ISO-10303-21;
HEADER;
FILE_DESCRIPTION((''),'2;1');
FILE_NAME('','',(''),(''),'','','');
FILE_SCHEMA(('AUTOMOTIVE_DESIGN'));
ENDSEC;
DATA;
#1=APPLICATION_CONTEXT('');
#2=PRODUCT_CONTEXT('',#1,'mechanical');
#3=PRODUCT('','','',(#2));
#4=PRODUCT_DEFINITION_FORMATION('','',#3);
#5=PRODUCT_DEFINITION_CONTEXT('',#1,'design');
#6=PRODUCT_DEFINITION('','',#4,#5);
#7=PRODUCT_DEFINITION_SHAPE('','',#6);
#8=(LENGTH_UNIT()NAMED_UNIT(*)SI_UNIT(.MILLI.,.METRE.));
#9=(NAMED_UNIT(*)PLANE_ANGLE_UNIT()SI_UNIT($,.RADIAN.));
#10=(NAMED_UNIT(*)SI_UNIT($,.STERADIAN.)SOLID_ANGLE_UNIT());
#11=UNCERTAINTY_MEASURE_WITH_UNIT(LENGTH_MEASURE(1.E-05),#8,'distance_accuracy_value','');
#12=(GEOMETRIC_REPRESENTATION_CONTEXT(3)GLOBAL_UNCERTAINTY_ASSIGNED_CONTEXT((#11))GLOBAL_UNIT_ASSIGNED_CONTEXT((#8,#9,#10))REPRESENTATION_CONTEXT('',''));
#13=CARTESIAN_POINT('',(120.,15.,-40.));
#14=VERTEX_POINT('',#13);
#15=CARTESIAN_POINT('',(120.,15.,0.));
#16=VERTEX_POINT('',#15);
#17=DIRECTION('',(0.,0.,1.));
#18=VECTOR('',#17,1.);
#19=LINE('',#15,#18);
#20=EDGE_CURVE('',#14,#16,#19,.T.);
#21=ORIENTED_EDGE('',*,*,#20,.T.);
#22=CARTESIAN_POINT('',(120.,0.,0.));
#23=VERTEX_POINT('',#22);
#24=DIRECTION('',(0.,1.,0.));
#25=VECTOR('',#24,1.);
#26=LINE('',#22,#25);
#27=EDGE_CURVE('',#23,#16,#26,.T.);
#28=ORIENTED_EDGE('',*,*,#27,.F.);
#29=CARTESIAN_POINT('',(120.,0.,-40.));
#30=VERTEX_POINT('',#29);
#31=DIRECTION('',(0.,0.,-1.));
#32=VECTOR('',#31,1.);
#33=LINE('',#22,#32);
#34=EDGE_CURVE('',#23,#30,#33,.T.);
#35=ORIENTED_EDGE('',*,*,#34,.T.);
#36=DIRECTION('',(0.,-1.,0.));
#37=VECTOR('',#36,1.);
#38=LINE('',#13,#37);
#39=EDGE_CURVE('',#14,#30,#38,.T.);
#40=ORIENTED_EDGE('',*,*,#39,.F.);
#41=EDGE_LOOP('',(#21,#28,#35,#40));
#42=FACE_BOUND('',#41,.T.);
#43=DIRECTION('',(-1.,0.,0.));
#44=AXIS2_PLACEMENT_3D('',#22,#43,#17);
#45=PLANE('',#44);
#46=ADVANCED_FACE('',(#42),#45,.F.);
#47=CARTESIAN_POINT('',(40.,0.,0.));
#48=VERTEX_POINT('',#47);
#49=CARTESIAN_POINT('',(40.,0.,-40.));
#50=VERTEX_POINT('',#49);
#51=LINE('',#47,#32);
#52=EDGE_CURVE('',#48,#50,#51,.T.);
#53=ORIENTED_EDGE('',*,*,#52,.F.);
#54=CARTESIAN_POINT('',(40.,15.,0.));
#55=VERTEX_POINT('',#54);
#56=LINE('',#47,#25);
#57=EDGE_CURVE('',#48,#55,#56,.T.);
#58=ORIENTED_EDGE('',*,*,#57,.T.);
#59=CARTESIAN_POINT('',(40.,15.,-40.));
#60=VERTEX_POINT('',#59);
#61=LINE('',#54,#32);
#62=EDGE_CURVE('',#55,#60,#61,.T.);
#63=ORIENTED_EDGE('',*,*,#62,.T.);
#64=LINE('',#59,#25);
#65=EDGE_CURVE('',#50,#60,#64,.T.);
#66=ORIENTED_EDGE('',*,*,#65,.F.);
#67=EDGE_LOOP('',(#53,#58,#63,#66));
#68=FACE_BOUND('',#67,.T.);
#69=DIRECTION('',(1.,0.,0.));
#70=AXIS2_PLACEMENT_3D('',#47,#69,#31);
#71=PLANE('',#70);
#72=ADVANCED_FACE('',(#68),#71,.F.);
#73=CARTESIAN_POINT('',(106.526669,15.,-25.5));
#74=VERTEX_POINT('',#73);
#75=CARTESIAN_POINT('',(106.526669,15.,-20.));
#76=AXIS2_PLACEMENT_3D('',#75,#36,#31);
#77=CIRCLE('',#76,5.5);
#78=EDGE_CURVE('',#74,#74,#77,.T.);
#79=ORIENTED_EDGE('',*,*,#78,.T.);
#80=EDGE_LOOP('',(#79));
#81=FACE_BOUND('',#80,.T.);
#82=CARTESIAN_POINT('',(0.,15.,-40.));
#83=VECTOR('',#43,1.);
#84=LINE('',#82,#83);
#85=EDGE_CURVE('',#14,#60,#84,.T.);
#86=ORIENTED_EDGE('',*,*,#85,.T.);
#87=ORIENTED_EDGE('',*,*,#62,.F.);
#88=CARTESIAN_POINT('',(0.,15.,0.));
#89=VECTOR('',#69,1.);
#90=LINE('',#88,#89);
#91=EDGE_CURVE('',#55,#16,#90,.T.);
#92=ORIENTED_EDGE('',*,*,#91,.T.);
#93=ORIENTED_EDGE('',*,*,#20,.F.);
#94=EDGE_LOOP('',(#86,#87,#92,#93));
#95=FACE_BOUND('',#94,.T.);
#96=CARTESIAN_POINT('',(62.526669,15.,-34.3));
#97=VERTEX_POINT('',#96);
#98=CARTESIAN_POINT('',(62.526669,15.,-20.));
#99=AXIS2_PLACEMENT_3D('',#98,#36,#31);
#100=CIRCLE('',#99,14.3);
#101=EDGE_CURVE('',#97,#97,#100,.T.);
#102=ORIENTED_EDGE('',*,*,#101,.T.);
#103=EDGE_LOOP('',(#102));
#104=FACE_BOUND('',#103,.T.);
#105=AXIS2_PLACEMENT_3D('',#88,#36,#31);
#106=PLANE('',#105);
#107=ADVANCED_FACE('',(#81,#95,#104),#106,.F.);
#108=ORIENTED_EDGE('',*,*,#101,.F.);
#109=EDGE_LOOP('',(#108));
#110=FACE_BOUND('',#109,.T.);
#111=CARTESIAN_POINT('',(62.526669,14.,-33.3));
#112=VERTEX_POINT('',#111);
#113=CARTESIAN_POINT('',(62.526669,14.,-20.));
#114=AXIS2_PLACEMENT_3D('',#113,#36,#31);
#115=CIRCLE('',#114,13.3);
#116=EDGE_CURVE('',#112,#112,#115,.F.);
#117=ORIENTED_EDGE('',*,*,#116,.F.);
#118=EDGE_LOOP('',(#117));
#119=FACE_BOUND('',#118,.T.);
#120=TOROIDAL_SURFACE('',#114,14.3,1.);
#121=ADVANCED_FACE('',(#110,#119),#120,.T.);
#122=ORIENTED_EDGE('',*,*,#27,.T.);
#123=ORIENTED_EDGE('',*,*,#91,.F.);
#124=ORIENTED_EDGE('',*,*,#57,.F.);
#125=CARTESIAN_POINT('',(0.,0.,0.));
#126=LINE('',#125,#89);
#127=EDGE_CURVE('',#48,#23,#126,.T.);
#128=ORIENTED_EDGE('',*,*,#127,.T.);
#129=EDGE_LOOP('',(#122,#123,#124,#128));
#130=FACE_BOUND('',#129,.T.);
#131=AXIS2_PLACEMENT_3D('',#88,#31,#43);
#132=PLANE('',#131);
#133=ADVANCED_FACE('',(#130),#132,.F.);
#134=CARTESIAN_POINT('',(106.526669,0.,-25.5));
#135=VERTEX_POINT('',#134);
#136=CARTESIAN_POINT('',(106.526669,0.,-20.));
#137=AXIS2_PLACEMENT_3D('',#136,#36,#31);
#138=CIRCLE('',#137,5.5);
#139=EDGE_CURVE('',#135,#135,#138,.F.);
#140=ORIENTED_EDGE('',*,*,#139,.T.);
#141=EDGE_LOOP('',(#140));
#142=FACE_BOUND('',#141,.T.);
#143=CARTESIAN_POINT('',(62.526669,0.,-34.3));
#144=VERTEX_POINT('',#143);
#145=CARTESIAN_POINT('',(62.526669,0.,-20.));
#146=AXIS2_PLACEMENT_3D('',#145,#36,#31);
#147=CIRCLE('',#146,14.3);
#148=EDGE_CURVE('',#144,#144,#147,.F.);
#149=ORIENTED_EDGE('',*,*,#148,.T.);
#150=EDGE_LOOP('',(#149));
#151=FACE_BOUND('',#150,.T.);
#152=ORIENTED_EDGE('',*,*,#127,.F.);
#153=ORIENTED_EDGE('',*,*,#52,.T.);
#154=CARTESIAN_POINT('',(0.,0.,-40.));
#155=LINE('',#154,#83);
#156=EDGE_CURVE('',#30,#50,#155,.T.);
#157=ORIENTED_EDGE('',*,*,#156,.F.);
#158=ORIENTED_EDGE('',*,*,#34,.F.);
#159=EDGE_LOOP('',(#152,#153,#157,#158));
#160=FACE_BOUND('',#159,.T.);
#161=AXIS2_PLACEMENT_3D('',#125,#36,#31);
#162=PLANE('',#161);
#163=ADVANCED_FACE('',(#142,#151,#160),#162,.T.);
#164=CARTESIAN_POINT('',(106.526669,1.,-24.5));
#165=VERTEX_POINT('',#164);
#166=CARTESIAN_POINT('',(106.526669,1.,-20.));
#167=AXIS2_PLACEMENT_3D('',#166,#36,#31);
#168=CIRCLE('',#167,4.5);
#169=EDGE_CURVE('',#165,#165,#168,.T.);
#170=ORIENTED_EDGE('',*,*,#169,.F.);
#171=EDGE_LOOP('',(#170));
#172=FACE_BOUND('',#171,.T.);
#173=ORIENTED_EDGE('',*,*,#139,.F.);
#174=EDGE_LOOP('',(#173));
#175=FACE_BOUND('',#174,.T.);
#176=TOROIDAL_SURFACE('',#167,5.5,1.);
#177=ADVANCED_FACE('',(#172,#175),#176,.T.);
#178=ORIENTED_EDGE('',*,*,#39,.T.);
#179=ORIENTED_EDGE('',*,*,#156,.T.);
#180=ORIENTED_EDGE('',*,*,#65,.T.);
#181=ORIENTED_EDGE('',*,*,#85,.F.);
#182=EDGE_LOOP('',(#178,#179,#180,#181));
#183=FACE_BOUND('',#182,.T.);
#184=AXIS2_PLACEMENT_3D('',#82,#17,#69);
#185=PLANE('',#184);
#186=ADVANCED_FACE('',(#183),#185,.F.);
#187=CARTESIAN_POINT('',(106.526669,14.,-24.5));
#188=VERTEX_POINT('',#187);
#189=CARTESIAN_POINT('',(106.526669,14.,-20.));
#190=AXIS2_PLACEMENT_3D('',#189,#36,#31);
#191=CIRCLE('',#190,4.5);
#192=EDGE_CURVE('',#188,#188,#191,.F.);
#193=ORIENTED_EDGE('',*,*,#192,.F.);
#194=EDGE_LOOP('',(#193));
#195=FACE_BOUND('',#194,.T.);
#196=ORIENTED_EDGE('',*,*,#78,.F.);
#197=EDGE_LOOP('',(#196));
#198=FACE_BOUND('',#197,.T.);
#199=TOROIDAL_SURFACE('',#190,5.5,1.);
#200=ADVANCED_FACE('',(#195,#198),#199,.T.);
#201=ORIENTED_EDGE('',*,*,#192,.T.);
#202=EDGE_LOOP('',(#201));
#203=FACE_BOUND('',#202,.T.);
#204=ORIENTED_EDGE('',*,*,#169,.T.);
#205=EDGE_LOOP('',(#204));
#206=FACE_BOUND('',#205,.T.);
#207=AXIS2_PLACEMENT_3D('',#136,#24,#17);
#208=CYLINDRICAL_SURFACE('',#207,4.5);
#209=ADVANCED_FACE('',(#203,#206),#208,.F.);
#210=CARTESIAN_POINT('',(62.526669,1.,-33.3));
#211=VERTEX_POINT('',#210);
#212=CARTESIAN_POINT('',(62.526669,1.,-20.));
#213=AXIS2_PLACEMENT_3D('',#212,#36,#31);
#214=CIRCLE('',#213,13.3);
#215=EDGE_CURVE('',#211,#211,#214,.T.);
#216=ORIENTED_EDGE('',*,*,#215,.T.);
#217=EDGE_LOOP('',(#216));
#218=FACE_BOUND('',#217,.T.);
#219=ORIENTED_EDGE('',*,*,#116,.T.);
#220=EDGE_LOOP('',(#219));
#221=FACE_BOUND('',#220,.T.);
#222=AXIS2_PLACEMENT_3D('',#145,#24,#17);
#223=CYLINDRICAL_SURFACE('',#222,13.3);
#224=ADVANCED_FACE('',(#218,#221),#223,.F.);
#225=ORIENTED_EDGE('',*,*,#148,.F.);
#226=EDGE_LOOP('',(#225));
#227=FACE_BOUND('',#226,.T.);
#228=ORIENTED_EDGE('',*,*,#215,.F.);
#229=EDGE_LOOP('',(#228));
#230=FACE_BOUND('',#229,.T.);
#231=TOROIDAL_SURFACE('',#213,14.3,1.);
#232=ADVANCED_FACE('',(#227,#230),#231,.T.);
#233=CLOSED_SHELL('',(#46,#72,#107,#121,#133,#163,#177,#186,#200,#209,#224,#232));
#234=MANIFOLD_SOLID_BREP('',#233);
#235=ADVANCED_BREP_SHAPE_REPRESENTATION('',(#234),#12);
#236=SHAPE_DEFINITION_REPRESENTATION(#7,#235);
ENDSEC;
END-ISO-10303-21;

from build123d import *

# Parameters (mm, degrees)
SKETCH_1_W          = 125
SKETCH_1_H          = 40
EXTRUDE_1_DEPTH     = 15
SKETCH_2_R          = 8.9
SKETCH_2_R_2        = 4.5
SKETCH_2_R_3        = 13.3
CUT_EXTRUDE_1_DEPTH = 133.098448136
CHAMFER_1_SIZE      = 1
CHAMFER_2_SIZE      = 1
FILLET_1_R          = 1
SKETCH_3_W          = 40
SKETCH_3_H          = 61.182970239
CUT_EXTRUDE_2_DEPTH = 133.098448148
SKETCH_5_W          = 5
SKETCH_5_H          = 48.384785396
CUT_EXTRUDE_3_DEPTH = 133.098448148


with BuildPart() as part:
    # 草圖1 → 填料-伸長1 (new body)
    with BuildSketch(Plane(origin=(0, 0, 0), x_dir=(1, 0, 0), z_dir=(0, 1, 0))):
        with Locations((62.5, 20)):
            Rectangle(SKETCH_1_W, SKETCH_1_H)
    extrude(amount=EXTRUDE_1_DEPTH)

    # 草圖2 → 除料-伸長1 (cut, through all)
    with BuildSketch(Plane(origin=(0, 15, 0), x_dir=(1, 0, 0), z_dir=(0, 1, 0))):
        with Locations(Location((18.526668527, 20, 0), (0, 0, 270))):
            Circle(SKETCH_2_R)
        with Locations(Location((106.526668527, 20, 0), (0, 0, 270))):
            Circle(SKETCH_2_R_2)
        with Locations(Location((62.526668527, 20, 0), (0, 0, 270))):
            Circle(SKETCH_2_R_3)
    extrude(amount=-CUT_EXTRUDE_1_DEPTH, mode=Mode.SUBTRACT)

    # 導角1
    chamfer_1_edges = [part.edges().sort_by_distance(p)[0] for p in [
        (18.526668527, 15, -28.9),
    ]]
    chamfer(chamfer_1_edges, length=CHAMFER_1_SIZE)

    # 導角2
    chamfer_2_edges = [part.edges().sort_by_distance(p)[0] for p in [
        (18.526668527, 0, -28.9),
    ]]
    chamfer(chamfer_2_edges, length=CHAMFER_2_SIZE)

    # 圓角1
    fillet_1_edges = [part.edges().sort_by_distance(p)[0] for p in [
        (106.526668527, 0, -24.5),
        (106.526668527, 15, -24.5),
        (62.526668527, 0, -33.3),
        (62.526668527, 15, -33.3),
    ]]
    fillet(fillet_1_edges, radius=FILLET_1_R)

    # 草圖3 → 除料-伸長2 (cut, through all)
    with BuildSketch(Plane(origin=(0, 15, 0), x_dir=(1, 0, 0), z_dir=(0, 1, 0))):
        with Locations((20, 30.59148512)):
            Rectangle(SKETCH_3_W, SKETCH_3_H)
    extrude(amount=-CUT_EXTRUDE_2_DEPTH, mode=Mode.SUBTRACT)

    # 草圖5 → 除料-伸長3 (cut, through all)
    with BuildSketch(Plane(origin=(0, 15, 0), x_dir=(1, 0, 0), z_dir=(0, 1, 0))):
        with Locations((122.5, 24.192392698)):
            Rectangle(SKETCH_5_W, SKETCH_5_H)
    extrude(amount=-CUT_EXTRUDE_3_DEPTH, mode=Mode.SUBTRACT)


solid = part.part
